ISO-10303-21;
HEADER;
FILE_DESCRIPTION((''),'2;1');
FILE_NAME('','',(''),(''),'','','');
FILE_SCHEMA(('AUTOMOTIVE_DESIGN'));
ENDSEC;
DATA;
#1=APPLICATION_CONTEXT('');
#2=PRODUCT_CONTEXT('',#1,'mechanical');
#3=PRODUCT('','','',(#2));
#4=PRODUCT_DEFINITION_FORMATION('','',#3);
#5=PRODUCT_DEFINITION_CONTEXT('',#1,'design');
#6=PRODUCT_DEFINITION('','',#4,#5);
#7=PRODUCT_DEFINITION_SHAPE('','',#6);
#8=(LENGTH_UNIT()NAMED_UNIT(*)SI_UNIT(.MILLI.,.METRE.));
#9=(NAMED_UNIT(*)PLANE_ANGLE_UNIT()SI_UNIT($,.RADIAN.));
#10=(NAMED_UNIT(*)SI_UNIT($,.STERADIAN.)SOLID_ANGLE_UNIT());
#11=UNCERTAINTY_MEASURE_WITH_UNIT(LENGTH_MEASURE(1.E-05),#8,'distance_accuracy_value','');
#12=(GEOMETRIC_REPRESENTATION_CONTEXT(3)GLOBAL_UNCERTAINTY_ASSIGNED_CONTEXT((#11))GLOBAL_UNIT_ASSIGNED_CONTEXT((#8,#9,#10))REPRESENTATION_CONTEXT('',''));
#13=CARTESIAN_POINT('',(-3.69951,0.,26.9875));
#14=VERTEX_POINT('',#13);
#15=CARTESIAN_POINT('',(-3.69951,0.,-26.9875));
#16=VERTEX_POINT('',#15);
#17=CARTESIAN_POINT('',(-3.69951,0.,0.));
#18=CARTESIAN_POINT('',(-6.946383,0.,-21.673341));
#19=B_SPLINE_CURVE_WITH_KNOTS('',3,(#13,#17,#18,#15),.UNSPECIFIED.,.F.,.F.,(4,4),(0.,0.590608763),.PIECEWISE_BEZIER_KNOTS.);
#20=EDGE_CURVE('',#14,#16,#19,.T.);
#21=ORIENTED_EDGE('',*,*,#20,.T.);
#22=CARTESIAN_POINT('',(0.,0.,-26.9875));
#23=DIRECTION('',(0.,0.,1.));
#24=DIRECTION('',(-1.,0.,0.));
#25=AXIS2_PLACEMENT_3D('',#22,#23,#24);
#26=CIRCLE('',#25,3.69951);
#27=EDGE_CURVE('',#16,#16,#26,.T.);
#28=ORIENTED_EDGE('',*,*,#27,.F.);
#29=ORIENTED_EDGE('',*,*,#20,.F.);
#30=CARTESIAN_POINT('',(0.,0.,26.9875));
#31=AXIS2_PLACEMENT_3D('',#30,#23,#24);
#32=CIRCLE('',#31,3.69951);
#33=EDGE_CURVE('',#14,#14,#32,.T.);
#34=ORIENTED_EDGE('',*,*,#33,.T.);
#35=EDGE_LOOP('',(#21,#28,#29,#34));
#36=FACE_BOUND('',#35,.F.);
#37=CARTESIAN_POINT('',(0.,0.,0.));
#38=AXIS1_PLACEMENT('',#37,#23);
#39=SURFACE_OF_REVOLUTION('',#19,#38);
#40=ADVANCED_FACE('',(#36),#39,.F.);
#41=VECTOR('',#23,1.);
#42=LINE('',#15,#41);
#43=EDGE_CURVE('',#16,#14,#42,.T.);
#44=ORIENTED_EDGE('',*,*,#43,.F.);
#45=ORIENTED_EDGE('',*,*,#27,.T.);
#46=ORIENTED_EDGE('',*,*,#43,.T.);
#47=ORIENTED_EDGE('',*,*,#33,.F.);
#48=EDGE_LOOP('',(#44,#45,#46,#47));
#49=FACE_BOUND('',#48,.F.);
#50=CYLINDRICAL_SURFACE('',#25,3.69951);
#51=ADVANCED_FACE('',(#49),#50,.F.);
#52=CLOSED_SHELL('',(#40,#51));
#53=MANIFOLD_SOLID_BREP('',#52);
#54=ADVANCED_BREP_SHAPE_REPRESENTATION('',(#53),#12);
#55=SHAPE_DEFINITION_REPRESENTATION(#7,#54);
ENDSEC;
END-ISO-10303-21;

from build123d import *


with BuildPart() as f1:
    # F0 (on Front) → F1 (revolve)
    with BuildSketch(Plane.XZ):
        with BuildLine():
            add(Edge.make_bspline(
                [(-3.69951, 26.9875), (-3.69951, 0), (-6.9463825419, -21.6733414887), (-3.69951, -26.9875)],
                knots=[0, 0, 0, 0, 0.5906087628, 0.5906087628, 0.5906087628, 0.5906087628], degree=3))
            Line((-3.69951, -26.9875), (-3.69951, 26.9875))
        make_face()
    revolve(axis=Axis((0, 0, 0), (0, 0, 1)))


solid = f1.part
